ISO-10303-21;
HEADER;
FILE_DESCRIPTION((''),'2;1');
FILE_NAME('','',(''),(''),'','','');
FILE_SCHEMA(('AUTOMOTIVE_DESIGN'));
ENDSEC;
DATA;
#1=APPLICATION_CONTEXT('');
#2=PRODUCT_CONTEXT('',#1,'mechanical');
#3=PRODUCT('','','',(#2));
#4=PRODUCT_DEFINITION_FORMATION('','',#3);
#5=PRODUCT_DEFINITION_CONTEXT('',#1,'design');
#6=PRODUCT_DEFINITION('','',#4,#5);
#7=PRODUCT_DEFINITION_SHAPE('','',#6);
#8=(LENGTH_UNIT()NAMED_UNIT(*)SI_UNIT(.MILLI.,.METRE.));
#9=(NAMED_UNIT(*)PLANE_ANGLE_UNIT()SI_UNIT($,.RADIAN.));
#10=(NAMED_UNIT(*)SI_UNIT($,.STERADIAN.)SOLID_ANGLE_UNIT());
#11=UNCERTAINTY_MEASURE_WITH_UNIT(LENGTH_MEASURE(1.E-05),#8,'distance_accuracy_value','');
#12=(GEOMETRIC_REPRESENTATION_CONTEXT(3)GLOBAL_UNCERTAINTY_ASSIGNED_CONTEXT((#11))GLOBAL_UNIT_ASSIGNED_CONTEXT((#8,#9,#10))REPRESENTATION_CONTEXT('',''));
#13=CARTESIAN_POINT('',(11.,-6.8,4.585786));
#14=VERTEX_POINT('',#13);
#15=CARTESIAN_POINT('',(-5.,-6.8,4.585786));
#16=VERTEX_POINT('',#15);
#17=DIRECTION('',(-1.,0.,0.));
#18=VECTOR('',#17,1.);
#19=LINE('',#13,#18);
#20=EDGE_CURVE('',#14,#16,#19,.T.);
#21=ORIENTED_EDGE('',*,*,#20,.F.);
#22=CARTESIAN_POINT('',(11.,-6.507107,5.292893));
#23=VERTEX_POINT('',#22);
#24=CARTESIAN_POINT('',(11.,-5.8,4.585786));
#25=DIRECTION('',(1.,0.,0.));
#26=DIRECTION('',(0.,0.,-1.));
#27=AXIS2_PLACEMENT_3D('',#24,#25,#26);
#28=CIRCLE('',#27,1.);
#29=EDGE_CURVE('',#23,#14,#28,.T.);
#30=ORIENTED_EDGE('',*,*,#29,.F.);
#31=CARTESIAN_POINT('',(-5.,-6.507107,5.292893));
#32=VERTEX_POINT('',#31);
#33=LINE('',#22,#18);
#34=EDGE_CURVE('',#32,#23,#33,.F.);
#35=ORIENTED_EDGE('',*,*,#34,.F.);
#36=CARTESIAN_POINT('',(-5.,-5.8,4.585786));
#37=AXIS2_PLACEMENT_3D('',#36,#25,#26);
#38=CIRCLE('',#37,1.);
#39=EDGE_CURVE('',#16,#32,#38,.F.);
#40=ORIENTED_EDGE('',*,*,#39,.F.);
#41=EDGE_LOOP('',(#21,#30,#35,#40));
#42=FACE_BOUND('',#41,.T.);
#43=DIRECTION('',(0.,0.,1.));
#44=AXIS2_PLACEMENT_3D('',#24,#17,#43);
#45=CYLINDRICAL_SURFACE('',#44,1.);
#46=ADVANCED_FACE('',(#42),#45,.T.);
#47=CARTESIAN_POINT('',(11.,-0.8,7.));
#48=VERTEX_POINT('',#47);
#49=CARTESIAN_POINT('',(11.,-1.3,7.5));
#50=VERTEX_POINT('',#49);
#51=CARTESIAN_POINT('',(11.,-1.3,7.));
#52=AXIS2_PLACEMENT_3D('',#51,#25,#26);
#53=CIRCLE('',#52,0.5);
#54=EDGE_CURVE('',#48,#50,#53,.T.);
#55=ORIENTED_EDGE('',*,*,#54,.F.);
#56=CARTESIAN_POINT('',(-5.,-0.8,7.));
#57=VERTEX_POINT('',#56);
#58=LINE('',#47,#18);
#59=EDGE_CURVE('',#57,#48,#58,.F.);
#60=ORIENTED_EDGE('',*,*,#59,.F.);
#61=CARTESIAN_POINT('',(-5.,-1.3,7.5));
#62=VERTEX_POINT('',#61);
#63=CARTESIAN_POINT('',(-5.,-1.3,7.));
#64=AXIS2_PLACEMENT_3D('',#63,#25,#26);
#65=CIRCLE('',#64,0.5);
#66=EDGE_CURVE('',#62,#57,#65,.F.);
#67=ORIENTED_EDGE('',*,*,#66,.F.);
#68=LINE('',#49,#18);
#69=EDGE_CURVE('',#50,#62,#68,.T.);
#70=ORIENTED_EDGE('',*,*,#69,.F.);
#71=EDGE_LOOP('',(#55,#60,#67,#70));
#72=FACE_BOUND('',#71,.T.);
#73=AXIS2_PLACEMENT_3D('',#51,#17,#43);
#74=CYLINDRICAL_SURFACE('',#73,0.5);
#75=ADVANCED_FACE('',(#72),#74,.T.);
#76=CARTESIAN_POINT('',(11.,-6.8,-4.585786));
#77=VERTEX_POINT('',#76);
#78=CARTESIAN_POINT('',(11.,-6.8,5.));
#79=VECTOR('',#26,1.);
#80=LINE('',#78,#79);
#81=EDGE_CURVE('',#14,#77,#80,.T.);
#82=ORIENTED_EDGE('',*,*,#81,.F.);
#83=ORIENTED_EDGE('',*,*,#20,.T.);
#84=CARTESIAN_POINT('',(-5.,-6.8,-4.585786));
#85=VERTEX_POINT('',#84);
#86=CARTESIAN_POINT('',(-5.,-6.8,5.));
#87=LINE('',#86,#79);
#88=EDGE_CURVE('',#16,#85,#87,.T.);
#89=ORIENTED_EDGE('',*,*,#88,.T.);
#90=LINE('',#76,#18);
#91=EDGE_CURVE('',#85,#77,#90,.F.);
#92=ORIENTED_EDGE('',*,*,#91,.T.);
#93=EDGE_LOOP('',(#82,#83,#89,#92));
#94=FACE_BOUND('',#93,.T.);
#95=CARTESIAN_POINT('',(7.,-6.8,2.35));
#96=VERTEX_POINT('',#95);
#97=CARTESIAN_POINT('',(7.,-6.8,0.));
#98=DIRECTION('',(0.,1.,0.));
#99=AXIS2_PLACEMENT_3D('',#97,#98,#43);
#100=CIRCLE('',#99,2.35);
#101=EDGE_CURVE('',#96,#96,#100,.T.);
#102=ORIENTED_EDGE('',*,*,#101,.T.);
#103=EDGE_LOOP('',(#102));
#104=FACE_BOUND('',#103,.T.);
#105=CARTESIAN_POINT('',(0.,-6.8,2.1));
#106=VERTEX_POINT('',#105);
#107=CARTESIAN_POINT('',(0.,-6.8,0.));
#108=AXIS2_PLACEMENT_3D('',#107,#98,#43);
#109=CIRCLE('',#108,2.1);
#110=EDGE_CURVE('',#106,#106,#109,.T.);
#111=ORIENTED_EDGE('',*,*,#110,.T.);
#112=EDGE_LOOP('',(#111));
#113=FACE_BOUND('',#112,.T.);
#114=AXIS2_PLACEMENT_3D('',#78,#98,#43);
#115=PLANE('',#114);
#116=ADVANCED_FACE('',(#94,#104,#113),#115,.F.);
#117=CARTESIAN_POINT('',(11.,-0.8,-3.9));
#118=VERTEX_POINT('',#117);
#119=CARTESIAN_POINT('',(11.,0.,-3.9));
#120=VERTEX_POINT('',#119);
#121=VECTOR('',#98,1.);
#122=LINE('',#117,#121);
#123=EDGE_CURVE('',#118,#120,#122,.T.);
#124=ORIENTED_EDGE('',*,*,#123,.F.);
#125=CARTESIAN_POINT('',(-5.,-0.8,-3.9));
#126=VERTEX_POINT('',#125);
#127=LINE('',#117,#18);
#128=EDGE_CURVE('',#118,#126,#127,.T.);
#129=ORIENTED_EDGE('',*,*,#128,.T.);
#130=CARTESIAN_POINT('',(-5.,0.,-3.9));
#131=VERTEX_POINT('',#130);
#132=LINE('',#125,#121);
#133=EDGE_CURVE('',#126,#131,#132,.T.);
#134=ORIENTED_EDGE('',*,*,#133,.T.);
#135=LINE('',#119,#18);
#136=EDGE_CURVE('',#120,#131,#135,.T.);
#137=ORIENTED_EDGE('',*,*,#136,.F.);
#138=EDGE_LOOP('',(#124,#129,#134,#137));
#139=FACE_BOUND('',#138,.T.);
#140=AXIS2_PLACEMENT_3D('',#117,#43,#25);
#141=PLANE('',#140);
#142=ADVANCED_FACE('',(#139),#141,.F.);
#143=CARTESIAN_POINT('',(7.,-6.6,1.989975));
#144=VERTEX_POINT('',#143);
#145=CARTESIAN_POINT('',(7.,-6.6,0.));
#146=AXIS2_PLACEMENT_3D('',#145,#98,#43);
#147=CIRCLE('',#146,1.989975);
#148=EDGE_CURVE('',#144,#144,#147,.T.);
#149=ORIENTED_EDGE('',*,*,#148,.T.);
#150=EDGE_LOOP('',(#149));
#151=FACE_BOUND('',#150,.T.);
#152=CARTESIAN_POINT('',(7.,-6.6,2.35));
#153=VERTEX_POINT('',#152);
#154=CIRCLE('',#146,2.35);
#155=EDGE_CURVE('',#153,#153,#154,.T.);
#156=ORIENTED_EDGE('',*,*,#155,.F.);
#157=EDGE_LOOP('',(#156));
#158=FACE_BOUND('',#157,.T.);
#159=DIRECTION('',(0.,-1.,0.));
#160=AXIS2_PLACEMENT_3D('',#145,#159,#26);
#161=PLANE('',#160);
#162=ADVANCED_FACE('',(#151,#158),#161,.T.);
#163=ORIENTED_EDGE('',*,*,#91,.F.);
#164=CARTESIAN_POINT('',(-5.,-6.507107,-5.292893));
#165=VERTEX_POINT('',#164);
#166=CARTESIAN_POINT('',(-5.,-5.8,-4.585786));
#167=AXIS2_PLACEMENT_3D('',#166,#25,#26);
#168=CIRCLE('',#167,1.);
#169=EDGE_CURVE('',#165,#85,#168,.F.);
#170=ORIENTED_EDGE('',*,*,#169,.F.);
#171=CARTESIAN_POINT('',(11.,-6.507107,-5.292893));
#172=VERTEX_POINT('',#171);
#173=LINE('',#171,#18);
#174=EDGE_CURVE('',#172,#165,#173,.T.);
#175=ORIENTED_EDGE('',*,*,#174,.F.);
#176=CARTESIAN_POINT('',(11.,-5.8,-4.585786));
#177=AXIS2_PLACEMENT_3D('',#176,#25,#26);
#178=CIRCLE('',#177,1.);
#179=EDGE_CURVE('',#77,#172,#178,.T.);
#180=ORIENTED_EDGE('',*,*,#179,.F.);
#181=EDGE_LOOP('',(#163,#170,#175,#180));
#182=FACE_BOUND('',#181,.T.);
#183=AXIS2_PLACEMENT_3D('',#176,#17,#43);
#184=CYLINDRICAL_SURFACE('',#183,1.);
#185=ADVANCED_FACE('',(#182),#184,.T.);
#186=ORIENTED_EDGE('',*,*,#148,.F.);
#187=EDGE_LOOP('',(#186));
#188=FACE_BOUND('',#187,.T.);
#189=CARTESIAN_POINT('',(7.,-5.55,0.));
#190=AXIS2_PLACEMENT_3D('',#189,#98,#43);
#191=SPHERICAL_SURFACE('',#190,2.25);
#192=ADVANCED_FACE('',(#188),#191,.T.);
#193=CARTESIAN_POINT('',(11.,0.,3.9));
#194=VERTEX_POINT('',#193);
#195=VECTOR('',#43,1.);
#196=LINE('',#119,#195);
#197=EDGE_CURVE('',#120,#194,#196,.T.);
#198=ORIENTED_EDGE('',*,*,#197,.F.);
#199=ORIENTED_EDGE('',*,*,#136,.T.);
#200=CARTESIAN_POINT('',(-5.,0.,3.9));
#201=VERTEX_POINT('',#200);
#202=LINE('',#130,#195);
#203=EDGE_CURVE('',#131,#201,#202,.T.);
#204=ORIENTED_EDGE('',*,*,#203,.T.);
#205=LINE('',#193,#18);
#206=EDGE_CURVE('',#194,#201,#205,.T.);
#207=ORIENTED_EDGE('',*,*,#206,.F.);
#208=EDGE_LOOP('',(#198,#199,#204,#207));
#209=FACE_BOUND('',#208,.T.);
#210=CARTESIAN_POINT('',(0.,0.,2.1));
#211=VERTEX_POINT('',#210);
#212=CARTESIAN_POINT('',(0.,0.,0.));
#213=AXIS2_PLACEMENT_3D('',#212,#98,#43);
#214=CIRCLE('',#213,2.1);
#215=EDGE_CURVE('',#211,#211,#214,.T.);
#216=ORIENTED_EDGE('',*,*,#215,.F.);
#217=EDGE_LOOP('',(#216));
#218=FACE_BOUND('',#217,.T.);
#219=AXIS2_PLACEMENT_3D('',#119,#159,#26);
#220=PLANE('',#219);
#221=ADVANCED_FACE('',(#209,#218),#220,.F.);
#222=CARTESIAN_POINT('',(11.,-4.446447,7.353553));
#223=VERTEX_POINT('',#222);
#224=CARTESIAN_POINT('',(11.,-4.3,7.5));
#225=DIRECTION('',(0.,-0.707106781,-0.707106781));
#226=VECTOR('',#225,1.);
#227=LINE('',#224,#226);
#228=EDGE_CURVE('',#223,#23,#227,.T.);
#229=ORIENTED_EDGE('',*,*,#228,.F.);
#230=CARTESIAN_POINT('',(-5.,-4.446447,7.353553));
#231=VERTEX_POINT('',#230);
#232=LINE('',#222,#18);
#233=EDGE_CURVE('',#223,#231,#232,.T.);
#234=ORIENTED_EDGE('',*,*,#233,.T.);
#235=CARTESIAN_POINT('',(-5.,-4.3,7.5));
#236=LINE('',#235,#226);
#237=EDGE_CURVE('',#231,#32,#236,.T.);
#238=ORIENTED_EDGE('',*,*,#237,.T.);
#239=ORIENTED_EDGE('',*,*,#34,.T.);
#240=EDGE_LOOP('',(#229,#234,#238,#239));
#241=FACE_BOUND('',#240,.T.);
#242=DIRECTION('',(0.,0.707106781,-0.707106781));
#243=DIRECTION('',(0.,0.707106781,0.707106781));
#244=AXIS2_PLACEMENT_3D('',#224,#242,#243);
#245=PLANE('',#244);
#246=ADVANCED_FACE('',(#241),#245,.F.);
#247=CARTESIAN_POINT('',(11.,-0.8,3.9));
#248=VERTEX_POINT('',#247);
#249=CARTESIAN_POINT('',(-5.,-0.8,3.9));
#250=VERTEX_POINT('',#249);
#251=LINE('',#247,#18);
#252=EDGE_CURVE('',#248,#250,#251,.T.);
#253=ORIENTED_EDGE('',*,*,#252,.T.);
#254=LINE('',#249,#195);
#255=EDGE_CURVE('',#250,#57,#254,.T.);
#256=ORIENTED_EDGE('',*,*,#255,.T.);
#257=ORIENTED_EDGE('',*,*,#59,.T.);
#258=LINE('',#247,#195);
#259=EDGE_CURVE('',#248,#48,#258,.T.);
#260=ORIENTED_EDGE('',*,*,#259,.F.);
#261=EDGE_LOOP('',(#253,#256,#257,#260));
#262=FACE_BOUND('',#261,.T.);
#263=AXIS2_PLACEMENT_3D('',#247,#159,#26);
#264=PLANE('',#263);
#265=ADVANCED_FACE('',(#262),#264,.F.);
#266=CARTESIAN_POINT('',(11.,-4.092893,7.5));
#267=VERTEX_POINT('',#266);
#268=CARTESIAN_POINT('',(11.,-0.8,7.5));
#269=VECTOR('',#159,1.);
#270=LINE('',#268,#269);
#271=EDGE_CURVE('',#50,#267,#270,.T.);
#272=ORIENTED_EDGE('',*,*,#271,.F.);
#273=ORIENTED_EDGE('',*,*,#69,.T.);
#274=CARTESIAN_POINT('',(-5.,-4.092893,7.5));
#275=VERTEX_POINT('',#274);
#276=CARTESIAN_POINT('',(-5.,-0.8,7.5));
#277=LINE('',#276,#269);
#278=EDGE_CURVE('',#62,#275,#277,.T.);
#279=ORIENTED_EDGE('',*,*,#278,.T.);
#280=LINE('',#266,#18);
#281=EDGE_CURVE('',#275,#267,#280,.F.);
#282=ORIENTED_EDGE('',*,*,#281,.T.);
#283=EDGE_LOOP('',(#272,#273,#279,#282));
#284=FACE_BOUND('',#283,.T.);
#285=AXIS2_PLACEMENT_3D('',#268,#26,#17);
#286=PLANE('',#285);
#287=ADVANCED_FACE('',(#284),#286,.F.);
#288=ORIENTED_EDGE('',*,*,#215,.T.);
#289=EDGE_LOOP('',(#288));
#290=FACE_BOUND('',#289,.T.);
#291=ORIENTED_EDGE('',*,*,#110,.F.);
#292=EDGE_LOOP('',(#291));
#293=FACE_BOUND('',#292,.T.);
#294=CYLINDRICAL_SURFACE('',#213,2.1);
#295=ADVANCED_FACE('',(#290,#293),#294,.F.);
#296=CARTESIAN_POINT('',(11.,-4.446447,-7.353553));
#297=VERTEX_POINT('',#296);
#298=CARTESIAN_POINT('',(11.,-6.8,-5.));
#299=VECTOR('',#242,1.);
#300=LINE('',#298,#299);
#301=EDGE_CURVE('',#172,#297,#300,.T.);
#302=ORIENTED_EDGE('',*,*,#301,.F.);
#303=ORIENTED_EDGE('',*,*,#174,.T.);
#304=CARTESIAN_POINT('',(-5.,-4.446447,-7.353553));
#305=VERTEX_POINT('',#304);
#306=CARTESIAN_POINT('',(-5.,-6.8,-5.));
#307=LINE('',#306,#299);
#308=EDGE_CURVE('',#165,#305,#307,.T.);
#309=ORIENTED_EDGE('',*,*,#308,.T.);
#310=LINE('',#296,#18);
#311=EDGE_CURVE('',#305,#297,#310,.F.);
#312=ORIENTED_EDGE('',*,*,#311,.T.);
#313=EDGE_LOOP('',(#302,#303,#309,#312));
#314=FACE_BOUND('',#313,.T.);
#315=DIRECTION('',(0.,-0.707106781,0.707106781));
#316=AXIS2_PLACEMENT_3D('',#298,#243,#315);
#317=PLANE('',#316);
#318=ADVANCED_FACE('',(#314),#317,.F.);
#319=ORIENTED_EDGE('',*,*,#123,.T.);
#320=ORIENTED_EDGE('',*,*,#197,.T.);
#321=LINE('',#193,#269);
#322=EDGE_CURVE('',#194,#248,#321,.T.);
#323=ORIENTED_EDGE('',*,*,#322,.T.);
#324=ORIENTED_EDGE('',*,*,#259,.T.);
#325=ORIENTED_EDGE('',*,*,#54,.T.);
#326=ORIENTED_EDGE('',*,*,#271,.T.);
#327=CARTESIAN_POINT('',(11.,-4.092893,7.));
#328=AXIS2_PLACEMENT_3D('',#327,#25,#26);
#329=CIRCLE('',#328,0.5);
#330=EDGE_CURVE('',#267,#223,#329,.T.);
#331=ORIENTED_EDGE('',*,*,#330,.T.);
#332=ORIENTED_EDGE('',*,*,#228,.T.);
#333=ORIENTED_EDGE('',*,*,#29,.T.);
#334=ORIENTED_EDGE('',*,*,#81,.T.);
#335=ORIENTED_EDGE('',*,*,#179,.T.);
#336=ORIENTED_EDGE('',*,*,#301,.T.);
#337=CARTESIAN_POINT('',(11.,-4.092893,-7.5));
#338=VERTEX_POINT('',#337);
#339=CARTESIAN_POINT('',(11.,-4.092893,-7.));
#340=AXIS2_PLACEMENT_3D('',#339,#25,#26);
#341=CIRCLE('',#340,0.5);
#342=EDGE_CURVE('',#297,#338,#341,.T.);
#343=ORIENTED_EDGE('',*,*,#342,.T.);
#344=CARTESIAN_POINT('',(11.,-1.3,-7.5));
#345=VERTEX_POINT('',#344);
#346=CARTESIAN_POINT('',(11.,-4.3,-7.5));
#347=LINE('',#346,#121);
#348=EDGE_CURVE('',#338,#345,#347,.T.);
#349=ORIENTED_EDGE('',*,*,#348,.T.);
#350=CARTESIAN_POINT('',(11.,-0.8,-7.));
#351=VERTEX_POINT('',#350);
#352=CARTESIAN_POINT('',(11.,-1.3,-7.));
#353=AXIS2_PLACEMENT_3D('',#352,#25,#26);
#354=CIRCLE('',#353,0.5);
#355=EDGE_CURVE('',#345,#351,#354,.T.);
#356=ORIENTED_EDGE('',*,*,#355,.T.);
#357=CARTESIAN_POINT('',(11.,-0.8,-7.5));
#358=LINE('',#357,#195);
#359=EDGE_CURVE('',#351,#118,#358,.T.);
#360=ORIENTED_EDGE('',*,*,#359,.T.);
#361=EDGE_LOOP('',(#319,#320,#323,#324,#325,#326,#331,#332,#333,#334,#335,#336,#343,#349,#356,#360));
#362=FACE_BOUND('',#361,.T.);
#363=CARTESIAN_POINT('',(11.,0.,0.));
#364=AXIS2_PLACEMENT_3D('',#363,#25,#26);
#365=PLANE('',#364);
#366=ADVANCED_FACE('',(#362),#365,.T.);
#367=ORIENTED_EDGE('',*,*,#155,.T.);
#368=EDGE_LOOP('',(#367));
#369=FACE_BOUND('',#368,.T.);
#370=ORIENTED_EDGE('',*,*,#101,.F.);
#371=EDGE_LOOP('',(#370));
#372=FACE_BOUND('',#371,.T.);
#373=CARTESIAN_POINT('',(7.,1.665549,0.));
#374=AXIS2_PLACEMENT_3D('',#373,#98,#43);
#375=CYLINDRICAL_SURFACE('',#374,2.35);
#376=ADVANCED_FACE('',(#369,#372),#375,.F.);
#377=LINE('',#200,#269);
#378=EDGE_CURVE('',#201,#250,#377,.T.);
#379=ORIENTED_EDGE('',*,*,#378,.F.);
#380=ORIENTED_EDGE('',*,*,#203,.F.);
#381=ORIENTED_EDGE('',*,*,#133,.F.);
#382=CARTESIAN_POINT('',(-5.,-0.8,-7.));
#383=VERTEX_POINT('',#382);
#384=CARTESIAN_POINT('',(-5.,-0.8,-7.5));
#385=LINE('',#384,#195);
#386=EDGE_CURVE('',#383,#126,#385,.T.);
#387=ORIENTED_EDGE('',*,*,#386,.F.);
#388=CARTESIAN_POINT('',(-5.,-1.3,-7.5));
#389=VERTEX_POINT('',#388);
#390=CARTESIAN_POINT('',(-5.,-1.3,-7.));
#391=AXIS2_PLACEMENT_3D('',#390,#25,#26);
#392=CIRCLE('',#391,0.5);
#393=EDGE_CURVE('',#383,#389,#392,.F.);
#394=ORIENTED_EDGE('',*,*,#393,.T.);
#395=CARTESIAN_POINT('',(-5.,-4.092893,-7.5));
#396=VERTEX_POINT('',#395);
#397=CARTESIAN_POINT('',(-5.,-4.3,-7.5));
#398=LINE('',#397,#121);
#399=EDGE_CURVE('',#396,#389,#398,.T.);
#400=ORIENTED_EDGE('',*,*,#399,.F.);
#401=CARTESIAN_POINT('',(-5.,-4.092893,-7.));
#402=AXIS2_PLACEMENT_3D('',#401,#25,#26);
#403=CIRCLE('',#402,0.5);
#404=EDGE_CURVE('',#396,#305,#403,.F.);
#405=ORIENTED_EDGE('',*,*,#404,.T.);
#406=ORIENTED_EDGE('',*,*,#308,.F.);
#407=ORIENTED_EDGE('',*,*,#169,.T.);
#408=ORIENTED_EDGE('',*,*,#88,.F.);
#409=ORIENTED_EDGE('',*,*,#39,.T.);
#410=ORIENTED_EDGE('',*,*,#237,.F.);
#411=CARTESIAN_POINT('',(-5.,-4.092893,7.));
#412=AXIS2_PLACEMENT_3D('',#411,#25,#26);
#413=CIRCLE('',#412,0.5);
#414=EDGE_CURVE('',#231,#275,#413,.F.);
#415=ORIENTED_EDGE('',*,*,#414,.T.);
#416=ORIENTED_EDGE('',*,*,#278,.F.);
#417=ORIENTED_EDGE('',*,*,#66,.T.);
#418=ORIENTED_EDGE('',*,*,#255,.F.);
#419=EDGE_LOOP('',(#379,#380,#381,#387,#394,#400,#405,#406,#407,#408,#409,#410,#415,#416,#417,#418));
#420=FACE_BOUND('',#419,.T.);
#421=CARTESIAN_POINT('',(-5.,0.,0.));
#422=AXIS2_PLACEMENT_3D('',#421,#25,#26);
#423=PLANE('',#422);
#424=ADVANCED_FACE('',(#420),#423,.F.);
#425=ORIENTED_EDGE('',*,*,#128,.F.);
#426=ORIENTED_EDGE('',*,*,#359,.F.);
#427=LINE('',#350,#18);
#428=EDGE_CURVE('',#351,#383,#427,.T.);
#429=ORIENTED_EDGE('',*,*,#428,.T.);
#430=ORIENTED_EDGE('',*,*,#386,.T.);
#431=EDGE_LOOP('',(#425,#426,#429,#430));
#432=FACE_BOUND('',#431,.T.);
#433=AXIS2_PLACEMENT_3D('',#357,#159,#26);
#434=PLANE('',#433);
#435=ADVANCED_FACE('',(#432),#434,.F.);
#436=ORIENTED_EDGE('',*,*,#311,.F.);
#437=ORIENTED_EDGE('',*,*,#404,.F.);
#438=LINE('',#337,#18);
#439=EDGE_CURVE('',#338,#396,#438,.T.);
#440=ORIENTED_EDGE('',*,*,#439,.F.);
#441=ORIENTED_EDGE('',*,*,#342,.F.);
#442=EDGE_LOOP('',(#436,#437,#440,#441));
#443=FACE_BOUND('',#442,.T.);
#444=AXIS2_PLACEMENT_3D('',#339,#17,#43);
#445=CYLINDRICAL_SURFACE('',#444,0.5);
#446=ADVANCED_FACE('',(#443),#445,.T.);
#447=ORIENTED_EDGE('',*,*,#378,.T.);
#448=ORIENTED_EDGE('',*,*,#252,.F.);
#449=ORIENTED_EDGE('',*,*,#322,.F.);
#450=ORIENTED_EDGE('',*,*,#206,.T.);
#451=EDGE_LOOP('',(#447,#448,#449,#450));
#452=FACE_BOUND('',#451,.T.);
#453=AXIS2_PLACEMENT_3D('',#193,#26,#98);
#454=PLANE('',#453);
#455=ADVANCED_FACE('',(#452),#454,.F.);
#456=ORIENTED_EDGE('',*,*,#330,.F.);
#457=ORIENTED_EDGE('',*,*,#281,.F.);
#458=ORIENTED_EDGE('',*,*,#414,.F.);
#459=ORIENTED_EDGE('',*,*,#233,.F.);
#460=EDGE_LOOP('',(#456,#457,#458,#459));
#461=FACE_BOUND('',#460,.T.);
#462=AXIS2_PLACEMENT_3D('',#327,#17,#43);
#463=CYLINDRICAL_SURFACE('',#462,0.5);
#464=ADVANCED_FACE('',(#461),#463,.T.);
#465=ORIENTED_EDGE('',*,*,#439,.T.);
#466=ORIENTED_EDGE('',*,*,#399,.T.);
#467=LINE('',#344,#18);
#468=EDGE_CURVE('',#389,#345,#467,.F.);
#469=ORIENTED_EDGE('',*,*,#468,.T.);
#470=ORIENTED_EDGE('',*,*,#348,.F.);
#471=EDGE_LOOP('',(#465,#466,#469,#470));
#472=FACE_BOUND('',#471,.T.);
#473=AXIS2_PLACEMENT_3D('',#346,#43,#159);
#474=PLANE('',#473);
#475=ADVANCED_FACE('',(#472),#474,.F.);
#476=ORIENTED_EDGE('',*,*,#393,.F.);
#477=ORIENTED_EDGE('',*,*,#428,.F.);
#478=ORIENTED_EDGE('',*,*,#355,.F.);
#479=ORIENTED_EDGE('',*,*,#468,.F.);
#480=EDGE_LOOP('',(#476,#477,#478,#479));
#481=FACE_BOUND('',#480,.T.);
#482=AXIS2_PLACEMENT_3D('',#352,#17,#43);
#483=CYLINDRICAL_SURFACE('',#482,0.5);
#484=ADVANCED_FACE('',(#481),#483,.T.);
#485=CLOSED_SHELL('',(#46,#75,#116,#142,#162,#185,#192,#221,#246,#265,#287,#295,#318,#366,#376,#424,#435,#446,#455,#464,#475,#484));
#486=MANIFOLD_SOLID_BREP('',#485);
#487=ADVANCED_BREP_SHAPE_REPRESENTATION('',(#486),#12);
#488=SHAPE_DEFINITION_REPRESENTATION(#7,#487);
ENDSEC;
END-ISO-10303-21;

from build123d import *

# Parameters (mm, degrees)
BOSS_EXTRUDE1_DEPTH = 16
FILLET1_R           = 1
FILLET2_R           = 0.5
SKETCH2_W           = 2.35
SKETCH2_H           = 0.2
TAPPED_HOLE1_D      = 4.2


with BuildPart() as part:
    # Sketch1 → Boss-Extrude1 (new body)
    with BuildSketch(Plane(origin=(-5, 0, 0), x_dir=(0, 0, -1), z_dir=(1, 0, 0))):
        Polygon((3.9, 0), (-3.9, 0), (-3.9, -0.8), (-7.5, -0.8), (-7.5, -4.3), (-5, -6.8), (5, -6.8), (7.5, -4.3), (7.5, -0.8), (3.9, -0.8), align=None)
    extrude(amount=BOSS_EXTRUDE1_DEPTH)

    # Fillet1
    fillet1_edges = [part.edges().sort_by_distance(p)[0] for p in [
        (3, -6.8, -5),
        (3, -6.8, 5),
    ]]
    fillet(fillet1_edges, radius=FILLET1_R)

    # Fillet2
    fillet2_edges = [part.edges().sort_by_distance(p)[0] for p in [
        (3, -0.8, 7.5),
        (3, -0.8, -7.5),
        (3, -4.3, -7.5),
        (3, -4.3, 7.5),
    ]]
    fillet(fillet2_edges, radius=FILLET2_R)

    # Sketch2 → Cut-Revolve1 (revolve, cut)
    with BuildSketch(Plane(origin=(7, 0, 0), x_dir=(0, 0, -1), z_dir=(1, 0, 0)), mode=Mode.PRIVATE) as cut_revolve1_sk:
        with Locations((1.175, -6.7)):
            Rectangle(SKETCH2_W, SKETCH2_H)
    revolve(cut_revolve1_sk.sketch.rotate(Axis((7, 1.665548573, 0), (0, -1, 0)), 180), axis=Axis((7, 1.665548573, 0), (0, -1, 0)), mode=Mode.SUBTRACT)

    # Sketch3 → Revolve1 (revolve)
    with BuildSketch(Plane(origin=(7, 0, 0), x_dir=(0, 0, -1), z_dir=(1, 0, 0)), mode=Mode.PRIVATE) as revolve1_sk:
        with BuildLine():
            Line((1.989974874, -6.6), (0, -6.6))
            Line((0, -6.6), (0, -7.8))
            ThreePointArc((0, -7.8), (1.161895004, -7.476784887), (1.989974874, -6.6))
        make_face()
    revolve(revolve1_sk.sketch.rotate(Axis((7, 0, 0), (0, -1, 0)), 180), axis=Axis((7, 0, 0), (0, -1, 0)))

    # Tapped Hole1 (through all)
    with Locations(Plane(origin=(0, 0, 0), x_dir=(1, 0, 0), z_dir=(0, 1, 0))):
        with Locations((0, 0)):
            Hole(TAPPED_HOLE1_D / 2)


solid = part.part
